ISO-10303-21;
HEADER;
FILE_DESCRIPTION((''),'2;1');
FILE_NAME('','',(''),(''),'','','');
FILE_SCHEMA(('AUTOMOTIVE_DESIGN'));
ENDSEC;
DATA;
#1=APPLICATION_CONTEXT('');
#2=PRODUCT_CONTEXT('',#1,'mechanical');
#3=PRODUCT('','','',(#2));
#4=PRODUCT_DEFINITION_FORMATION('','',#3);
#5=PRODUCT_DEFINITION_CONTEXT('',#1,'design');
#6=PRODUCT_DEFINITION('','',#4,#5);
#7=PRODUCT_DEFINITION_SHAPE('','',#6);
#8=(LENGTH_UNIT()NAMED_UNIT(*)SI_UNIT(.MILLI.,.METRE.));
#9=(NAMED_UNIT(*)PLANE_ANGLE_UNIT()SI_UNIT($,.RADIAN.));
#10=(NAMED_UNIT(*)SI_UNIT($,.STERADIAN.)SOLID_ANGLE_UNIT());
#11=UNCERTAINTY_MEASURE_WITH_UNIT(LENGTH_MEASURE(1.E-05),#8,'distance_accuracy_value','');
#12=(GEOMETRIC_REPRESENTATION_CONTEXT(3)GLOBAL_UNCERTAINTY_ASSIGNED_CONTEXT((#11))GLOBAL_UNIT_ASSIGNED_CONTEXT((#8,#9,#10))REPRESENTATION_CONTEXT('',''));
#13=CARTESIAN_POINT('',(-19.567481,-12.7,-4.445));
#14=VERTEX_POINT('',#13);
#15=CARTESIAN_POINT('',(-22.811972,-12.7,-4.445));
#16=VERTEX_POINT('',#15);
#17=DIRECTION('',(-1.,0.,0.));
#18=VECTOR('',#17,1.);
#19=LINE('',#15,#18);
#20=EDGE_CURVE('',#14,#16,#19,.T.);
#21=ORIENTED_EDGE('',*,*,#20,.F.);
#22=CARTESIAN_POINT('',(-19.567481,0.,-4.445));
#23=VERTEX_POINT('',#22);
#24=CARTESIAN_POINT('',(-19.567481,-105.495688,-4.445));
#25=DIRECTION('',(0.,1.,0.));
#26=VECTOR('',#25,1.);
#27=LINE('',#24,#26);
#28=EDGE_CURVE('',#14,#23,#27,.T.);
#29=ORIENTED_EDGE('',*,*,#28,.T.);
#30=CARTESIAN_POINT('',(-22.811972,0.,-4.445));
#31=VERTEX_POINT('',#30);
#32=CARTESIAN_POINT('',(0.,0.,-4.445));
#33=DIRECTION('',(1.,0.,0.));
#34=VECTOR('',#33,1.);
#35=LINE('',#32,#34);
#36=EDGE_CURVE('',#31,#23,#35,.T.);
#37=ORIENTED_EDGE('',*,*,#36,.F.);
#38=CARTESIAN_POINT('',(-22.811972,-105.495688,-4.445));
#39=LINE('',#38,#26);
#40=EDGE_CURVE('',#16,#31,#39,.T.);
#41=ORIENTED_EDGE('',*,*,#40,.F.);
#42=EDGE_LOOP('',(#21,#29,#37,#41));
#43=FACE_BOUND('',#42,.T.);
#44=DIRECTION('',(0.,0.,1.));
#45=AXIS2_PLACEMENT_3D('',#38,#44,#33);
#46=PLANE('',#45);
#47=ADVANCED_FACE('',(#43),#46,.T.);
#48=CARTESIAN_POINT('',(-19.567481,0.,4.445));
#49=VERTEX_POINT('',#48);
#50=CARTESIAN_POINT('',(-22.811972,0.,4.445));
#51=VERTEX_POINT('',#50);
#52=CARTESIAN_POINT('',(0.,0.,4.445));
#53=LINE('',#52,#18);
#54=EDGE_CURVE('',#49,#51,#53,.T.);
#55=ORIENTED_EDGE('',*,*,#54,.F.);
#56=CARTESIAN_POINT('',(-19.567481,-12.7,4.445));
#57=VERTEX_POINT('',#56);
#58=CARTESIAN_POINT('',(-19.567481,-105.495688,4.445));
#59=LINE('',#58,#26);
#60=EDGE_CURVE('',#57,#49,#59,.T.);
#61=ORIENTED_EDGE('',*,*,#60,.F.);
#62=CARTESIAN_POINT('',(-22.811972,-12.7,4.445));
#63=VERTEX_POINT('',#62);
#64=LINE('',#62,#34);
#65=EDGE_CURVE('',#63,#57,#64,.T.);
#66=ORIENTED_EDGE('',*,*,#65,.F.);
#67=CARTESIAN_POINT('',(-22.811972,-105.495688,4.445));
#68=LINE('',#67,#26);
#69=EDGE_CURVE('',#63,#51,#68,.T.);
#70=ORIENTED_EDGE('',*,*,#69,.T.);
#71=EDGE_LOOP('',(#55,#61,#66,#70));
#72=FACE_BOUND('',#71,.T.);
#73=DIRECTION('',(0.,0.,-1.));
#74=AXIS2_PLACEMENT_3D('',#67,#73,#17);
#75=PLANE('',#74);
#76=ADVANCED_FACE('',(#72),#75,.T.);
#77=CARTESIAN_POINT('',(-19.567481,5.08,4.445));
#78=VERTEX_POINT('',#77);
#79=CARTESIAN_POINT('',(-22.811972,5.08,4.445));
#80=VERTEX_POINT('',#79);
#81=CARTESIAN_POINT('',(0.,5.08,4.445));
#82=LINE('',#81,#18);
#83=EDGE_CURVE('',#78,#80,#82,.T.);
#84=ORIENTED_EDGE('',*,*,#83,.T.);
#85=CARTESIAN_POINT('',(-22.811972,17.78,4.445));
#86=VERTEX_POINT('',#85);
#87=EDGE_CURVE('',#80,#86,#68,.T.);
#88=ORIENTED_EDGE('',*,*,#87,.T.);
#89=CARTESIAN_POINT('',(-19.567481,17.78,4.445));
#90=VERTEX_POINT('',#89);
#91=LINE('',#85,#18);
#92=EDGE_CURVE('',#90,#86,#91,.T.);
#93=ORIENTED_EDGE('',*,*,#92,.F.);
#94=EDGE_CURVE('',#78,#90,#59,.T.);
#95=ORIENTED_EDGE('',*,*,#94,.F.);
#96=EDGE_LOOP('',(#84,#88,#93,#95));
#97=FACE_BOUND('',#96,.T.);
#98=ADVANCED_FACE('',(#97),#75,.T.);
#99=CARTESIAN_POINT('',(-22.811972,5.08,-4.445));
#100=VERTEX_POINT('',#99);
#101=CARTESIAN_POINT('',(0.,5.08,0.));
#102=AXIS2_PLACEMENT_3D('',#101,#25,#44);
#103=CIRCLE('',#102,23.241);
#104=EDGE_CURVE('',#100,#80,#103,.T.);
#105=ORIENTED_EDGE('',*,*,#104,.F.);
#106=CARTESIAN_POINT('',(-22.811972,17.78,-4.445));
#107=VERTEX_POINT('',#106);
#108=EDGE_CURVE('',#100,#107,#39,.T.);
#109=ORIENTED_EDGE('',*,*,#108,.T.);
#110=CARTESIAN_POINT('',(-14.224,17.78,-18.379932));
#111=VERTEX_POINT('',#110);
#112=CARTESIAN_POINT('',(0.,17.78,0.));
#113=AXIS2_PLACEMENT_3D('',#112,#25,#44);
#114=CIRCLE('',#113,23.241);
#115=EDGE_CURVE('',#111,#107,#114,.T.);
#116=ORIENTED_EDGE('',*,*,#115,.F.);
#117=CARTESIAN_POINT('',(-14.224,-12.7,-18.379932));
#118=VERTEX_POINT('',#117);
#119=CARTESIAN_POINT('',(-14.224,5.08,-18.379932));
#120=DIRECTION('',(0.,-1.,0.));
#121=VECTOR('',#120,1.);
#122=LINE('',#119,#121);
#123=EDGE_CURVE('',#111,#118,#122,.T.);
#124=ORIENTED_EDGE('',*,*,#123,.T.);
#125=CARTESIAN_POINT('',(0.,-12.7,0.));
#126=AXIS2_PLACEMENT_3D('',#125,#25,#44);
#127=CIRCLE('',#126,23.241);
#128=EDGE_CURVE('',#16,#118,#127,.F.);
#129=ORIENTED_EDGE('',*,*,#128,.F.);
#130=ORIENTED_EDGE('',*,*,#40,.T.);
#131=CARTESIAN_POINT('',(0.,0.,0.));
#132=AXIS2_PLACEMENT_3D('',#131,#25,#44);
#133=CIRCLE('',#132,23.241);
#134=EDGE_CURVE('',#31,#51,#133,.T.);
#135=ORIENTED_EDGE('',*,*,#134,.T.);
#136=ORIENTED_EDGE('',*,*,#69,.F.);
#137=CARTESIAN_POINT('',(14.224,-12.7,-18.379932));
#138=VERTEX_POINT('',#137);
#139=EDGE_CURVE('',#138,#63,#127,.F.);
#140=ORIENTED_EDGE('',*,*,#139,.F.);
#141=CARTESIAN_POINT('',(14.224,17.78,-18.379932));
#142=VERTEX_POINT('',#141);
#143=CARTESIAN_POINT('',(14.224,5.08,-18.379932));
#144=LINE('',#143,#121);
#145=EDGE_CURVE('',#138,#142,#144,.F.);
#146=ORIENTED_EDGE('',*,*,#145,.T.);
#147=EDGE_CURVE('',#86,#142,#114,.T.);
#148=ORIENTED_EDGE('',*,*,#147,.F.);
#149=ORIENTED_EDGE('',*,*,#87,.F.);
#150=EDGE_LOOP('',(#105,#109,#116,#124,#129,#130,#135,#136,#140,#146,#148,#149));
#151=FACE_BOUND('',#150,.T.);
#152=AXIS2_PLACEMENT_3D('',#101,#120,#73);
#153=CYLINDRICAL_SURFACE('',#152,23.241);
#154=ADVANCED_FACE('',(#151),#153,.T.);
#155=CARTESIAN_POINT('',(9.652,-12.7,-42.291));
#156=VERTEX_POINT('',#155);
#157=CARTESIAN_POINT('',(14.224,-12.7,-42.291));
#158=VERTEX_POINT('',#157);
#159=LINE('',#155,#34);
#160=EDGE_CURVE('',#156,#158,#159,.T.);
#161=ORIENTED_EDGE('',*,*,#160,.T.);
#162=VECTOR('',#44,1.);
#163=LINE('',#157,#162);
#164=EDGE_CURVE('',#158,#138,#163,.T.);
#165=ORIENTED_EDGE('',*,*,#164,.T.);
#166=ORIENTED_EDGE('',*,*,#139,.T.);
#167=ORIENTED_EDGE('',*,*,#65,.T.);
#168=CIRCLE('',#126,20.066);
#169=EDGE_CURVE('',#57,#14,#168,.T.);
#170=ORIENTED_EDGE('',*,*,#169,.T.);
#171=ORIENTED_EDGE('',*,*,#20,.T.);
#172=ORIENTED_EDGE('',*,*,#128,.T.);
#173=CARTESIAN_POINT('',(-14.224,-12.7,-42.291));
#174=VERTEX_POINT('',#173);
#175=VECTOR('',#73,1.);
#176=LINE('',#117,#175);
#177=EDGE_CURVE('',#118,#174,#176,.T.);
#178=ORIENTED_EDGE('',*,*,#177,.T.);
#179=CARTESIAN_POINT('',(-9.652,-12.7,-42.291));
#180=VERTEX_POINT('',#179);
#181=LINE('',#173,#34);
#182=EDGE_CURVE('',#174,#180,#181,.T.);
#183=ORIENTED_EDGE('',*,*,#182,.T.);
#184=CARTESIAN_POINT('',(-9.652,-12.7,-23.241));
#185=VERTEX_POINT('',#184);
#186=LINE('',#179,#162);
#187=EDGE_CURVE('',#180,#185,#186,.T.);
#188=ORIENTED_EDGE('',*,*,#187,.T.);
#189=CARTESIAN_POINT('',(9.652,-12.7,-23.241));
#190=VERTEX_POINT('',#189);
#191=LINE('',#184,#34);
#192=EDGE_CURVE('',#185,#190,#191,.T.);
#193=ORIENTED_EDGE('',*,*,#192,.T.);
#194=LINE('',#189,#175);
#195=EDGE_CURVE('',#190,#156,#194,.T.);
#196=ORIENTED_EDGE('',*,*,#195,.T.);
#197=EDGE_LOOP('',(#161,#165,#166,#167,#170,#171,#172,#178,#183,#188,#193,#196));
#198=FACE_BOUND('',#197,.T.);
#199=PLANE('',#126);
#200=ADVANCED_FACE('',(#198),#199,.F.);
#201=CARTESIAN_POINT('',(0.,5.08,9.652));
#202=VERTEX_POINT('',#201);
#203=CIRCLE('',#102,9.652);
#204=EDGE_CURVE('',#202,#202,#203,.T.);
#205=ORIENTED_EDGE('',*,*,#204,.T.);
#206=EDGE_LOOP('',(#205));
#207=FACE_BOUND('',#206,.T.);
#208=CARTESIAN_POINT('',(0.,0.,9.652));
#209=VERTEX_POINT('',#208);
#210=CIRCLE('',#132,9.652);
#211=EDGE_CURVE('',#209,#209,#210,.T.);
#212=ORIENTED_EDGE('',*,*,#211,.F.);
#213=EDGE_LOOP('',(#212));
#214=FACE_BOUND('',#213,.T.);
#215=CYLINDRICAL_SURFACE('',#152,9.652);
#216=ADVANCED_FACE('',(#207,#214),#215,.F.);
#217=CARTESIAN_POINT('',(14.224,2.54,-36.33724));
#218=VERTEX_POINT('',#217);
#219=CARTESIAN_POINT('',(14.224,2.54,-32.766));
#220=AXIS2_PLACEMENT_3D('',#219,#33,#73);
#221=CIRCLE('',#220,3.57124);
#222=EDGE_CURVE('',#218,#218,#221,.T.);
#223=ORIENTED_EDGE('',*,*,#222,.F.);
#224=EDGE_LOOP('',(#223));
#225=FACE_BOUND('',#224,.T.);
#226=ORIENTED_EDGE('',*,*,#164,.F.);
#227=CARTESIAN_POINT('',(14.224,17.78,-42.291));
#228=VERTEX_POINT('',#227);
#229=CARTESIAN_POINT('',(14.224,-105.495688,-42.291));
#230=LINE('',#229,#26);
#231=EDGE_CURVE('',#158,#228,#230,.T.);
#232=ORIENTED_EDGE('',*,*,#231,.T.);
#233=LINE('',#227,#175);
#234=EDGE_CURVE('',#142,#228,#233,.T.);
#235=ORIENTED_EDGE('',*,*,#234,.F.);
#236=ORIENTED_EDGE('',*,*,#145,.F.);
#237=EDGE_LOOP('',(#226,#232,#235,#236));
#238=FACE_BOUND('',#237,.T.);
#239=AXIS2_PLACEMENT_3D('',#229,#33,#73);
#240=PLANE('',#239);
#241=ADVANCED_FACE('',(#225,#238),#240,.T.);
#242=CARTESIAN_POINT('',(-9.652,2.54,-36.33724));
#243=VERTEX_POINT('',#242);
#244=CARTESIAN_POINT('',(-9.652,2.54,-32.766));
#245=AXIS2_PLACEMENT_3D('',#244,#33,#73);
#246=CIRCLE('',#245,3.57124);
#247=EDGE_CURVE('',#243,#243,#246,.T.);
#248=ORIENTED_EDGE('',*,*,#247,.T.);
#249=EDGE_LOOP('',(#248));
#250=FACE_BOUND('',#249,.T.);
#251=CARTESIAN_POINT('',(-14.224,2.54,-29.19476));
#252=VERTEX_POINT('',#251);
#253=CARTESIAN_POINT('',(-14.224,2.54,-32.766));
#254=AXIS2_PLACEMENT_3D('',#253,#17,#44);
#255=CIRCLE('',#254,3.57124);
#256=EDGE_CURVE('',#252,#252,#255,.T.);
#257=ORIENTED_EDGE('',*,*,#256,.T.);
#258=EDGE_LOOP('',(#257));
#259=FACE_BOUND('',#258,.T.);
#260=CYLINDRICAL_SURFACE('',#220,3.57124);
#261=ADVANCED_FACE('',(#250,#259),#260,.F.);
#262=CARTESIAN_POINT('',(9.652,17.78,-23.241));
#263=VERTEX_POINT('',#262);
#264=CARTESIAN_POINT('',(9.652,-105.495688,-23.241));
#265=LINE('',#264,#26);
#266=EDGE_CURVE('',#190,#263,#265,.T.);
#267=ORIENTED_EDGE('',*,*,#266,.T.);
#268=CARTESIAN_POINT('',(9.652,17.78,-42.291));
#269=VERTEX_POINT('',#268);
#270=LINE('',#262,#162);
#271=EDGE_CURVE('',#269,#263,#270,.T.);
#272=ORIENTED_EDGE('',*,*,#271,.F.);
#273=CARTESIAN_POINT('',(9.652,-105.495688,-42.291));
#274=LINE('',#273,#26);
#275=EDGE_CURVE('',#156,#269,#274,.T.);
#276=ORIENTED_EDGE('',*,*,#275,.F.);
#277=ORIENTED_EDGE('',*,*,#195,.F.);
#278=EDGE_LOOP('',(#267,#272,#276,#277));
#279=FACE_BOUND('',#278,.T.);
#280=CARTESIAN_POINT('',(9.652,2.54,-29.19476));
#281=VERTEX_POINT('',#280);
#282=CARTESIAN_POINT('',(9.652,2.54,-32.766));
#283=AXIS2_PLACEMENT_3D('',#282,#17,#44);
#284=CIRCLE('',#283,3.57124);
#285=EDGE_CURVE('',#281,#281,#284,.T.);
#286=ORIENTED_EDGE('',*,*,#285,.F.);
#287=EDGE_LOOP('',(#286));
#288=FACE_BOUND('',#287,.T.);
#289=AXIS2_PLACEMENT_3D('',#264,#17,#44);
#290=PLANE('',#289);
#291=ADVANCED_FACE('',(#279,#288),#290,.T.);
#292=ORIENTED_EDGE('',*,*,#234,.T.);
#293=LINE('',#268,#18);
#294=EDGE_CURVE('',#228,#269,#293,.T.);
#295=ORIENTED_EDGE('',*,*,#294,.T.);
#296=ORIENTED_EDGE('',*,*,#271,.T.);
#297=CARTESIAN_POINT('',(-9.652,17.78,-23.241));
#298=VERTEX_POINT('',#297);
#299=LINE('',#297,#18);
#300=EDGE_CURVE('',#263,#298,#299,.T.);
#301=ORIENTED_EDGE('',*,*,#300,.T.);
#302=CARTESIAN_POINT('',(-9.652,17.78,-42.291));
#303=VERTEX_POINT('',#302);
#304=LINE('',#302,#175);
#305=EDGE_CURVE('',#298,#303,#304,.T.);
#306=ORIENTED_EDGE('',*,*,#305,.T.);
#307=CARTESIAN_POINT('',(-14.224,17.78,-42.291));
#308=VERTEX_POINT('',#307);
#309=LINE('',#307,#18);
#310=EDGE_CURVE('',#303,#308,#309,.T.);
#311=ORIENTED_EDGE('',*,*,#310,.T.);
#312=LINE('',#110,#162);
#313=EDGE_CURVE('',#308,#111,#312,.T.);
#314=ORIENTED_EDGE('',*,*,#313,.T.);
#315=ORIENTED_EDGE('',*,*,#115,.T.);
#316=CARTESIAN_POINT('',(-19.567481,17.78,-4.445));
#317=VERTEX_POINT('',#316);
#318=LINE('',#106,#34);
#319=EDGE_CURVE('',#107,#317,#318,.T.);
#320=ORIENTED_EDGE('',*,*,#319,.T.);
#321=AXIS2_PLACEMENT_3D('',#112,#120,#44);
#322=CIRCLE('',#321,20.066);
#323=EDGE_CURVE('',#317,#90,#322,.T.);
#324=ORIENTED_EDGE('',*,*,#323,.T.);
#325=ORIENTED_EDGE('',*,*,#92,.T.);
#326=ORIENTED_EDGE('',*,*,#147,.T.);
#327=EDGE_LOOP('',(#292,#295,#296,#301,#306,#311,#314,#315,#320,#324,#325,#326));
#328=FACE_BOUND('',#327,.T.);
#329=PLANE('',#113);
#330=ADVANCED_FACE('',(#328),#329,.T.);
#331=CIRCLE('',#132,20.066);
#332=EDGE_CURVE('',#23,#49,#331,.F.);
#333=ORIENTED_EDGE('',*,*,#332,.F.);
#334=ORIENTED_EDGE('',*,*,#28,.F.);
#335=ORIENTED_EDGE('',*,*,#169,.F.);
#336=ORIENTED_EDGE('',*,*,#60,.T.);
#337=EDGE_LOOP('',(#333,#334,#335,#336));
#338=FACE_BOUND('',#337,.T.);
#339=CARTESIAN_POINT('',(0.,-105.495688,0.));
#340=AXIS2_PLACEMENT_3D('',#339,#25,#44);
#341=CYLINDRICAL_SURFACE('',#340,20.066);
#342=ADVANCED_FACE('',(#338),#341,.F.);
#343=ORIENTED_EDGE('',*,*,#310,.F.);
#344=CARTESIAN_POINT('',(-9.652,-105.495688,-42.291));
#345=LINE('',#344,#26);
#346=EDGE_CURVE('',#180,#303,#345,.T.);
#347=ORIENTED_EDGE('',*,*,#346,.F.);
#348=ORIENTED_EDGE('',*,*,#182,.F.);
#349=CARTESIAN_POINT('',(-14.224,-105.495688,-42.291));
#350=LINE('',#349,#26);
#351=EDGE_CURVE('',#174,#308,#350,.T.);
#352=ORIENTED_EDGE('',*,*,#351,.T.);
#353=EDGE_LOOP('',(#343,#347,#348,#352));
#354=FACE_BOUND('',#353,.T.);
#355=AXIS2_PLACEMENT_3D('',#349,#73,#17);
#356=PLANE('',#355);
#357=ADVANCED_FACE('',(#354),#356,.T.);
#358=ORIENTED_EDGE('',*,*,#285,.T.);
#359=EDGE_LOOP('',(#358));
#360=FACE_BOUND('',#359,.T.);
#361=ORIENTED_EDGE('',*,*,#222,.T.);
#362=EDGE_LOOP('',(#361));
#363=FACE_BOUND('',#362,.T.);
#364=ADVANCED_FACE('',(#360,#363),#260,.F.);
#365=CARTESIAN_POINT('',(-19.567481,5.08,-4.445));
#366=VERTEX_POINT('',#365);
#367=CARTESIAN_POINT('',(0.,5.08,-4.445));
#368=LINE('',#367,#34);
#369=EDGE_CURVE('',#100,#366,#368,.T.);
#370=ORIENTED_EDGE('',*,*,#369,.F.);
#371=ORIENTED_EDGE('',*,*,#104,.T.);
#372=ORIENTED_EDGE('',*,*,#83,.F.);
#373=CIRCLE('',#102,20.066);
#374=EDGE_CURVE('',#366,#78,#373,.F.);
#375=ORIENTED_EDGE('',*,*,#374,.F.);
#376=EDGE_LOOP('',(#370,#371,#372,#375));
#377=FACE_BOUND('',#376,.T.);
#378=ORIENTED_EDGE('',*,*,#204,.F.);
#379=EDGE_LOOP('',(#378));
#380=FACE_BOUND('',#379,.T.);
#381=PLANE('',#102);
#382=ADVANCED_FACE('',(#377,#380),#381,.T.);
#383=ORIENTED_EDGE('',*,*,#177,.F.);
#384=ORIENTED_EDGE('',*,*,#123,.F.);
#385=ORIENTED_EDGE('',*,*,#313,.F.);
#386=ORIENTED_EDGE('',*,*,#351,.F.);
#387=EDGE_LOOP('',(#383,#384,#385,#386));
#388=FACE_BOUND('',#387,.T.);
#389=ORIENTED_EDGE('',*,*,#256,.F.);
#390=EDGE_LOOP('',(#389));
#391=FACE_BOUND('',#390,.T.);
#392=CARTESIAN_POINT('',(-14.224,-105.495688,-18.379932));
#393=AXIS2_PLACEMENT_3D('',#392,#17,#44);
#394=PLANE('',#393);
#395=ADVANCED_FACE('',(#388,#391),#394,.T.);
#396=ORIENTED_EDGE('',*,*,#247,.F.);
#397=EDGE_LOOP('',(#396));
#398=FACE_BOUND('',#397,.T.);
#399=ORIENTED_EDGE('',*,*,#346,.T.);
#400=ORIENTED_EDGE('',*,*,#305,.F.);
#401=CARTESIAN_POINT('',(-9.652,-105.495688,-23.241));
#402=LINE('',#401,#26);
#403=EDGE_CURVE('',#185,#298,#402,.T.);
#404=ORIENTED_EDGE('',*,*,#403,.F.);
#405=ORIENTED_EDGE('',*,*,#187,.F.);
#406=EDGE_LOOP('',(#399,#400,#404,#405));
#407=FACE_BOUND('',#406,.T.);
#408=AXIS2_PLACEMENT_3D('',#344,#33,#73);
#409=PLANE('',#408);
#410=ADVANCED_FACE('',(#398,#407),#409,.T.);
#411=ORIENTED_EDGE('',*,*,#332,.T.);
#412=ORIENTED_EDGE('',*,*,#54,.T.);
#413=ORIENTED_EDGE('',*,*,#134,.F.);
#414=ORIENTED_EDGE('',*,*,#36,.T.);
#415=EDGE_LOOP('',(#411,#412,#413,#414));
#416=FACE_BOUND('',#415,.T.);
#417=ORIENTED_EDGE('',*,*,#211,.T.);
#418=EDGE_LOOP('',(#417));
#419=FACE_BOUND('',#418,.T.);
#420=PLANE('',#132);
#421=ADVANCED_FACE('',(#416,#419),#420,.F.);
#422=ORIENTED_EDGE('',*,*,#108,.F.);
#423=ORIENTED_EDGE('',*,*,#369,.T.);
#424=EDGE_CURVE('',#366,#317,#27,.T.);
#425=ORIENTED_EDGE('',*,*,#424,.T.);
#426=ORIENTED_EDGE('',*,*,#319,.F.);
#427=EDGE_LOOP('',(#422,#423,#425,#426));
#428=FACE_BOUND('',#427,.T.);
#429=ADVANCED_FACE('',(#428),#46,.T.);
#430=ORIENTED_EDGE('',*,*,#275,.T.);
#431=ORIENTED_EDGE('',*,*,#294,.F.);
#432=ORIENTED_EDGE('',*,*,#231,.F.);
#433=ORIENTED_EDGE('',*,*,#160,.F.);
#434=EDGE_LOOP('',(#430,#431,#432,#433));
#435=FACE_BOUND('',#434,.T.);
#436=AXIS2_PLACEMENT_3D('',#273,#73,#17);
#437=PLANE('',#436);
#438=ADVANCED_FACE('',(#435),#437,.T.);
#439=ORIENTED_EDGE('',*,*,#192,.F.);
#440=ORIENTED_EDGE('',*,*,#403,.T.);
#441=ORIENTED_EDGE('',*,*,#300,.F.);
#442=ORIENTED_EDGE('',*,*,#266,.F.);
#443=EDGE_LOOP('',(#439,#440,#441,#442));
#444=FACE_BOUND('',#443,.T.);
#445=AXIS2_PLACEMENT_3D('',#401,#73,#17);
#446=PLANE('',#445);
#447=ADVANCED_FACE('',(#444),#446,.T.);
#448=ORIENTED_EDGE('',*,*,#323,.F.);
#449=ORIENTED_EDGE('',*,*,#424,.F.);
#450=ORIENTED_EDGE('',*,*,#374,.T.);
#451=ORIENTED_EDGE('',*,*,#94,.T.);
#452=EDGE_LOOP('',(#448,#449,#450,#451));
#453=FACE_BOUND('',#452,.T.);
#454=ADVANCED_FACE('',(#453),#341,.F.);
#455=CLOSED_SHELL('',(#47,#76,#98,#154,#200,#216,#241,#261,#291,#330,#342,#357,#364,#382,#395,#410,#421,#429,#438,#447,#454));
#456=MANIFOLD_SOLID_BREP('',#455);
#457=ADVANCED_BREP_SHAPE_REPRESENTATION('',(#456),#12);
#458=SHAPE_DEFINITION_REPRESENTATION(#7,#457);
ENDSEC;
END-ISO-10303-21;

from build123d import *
from build123d.topology import SkipClean

# Parameters (mm, degrees)
SKETCH1_R                = 23.241
SKETCH1_R_2              = 9.652
BOSS_EXTRUDE1_DEPTH      = 5.08
BOSS_EXTRUDE2_DEPTH      = 12.7
BOSS_EXTRUDE2_DEPTH_BACK = 17.78
F_1_4_CLEARANCE_HOLE1_D  = 7.14248


with BuildPart() as part:
    # Sketch1 → Boss-Extrude1 (new body)
    with BuildSketch(Plane(origin=(0, 0, 0), x_dir=(1, 0, 0), z_dir=(0, 1, 0))):
        with Locations(Location((0, 0, 0), (0, 0, 270))):
            Circle(SKETCH1_R)
        with Locations(Location((0, 0, 0), (0, 0, 270))):
            Circle(SKETCH1_R_2, mode=Mode.SUBTRACT)
    extrude(amount=BOSS_EXTRUDE1_DEPTH)

    # Sketch2 → Boss-Extrude2 (add, two sides: drawn at the far end of the back side and taken through both)
    with SkipClean():  # the faces are left unmerged after this step: merging them gives an invalid solid
        with BuildSketch(Plane(origin=(0, 5.08, 0), x_dir=(1, 0, 0), z_dir=(0, 1, 0)).offset(-BOSS_EXTRUDE2_DEPTH_BACK)):
            with BuildLine():
                Line((-14.224, 18.379932), (-14.224, 42.291))
                Line((-14.224, 42.291), (-9.652, 42.291))
                Line((-9.652, 42.291), (-9.652, 23.241))
                Line((-9.652, 23.241), (9.652, 23.241))
                Line((9.652, 23.241), (9.652, 42.291))
                Line((9.652, 42.291), (14.224, 42.291))
                Line((14.224, 42.291), (14.224, 18.379932))
                ThreePointArc((14.224, 18.379932), (12.193551, -19.785383), (-22.811972, -4.445))
                Line((-22.811972, -4.445), (-19.567481, -4.445))
                ThreePointArc((-19.567481, -4.445), (20.066, 0), (-19.567481, 4.445))
                Line((-19.567481, 4.445), (-22.811972, 4.445))
                ThreePointArc((-22.811972, 4.445), (-19.785383, 12.193551), (-14.224, 18.379932))
            make_face()
        extrude(amount=BOSS_EXTRUDE2_DEPTH + BOSS_EXTRUDE2_DEPTH_BACK)

    # 1/4 Clearance Hole1 (through all)
    with Locations(Plane(origin=(14.224, 0, 0), x_dir=(0, 0, -1), z_dir=(1, 0, 0))):
        with Locations((32.766, 2.54)):
            Hole(F_1_4_CLEARANCE_HOLE1_D / 2)


solid = part.part
